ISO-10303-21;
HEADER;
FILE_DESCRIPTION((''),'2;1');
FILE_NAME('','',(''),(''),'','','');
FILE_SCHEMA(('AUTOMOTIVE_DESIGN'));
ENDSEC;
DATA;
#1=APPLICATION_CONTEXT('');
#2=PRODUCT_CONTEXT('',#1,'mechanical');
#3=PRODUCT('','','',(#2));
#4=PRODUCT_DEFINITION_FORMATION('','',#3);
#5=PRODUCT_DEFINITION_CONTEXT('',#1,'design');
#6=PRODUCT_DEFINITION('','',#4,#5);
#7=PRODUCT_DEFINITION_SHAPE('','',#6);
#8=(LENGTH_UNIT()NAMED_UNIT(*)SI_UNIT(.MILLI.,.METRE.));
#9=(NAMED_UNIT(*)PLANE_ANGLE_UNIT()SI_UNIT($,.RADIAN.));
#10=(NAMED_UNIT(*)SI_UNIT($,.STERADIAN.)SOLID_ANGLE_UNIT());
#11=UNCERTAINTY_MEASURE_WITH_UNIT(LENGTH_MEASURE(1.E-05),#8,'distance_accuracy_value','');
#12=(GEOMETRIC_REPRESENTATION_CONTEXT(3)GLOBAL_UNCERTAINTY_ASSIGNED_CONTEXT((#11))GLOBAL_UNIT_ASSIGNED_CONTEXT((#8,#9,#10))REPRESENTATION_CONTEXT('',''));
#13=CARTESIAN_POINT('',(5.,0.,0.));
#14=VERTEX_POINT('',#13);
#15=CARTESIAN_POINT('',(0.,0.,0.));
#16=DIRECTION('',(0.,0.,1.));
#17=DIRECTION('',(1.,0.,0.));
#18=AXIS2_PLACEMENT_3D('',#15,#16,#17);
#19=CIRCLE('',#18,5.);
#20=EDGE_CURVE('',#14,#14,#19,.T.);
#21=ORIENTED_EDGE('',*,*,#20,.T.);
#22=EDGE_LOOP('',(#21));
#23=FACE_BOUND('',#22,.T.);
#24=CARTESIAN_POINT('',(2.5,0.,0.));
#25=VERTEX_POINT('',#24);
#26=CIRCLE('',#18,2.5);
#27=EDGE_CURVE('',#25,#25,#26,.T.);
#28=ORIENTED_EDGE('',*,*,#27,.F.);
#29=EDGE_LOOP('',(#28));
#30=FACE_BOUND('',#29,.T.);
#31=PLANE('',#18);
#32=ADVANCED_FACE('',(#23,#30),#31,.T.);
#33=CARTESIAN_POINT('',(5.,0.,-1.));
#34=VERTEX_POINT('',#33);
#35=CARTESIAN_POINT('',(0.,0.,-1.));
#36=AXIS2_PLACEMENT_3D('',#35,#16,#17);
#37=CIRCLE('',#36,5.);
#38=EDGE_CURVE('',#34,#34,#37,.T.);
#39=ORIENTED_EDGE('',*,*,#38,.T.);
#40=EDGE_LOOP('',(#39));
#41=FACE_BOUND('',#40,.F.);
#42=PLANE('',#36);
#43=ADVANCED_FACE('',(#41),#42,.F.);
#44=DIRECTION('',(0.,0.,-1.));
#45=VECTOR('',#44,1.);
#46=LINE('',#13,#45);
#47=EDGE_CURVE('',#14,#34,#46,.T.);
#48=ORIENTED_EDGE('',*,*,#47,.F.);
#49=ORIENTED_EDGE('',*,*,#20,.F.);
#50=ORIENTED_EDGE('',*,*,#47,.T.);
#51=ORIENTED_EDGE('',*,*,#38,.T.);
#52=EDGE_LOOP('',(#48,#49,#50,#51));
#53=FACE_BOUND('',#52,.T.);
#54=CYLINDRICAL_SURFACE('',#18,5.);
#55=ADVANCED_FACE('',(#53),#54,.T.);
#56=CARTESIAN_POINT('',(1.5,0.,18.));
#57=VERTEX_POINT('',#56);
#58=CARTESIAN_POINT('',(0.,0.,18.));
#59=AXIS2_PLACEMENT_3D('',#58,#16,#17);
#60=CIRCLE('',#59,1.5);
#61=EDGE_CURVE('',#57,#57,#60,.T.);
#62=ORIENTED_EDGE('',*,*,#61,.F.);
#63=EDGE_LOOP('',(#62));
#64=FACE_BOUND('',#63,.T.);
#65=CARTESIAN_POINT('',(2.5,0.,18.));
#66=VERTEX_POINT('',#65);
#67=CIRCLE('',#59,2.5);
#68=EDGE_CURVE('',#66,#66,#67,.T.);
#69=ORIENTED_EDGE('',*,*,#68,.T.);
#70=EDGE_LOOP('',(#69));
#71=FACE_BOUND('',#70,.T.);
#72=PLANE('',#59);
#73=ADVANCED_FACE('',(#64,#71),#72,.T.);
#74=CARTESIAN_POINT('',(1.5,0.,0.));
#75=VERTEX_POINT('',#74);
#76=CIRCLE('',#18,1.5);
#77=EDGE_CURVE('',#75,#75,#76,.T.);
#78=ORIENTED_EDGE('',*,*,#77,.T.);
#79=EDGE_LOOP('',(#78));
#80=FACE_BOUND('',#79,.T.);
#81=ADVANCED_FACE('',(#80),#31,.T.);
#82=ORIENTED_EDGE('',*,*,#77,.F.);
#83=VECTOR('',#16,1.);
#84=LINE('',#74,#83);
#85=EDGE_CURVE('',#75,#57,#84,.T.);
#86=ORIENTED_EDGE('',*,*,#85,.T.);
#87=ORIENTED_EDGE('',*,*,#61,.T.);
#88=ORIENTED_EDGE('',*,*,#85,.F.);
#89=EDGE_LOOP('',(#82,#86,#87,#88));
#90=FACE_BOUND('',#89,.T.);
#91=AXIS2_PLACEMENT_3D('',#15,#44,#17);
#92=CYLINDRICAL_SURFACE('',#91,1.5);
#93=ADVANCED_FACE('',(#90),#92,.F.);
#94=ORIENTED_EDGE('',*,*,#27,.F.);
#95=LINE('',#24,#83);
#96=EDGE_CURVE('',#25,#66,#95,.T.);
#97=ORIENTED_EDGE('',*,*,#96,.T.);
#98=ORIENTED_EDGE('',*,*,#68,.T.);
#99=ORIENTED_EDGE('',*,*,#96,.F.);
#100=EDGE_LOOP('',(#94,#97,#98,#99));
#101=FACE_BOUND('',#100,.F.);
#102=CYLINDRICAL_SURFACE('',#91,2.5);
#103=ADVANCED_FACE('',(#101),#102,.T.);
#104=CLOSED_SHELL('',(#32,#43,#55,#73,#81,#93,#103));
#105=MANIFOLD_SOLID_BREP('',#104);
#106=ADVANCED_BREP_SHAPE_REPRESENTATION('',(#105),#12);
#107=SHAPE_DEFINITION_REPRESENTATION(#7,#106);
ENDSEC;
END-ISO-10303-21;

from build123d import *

# Parameters (mm, degrees)
F0_R     = 2.5
F0_R_2   = 1.5
F1_DEPTH = 18
F2_R     = 5
F3_DEPTH = 1


with BuildPart() as f1:
    # F0 (on Top) → F1 (new body)
    with BuildSketch(Plane.XY):
        Circle(F0_R)
        Circle(F0_R_2, mode=Mode.SUBTRACT)
    extrude(amount=F1_DEPTH)

    # F2 (on Top) → F3 (join)
    with BuildSketch(Plane.XY):
        Circle(F2_R)
    extrude(amount=-F3_DEPTH)


solid = f1.part
